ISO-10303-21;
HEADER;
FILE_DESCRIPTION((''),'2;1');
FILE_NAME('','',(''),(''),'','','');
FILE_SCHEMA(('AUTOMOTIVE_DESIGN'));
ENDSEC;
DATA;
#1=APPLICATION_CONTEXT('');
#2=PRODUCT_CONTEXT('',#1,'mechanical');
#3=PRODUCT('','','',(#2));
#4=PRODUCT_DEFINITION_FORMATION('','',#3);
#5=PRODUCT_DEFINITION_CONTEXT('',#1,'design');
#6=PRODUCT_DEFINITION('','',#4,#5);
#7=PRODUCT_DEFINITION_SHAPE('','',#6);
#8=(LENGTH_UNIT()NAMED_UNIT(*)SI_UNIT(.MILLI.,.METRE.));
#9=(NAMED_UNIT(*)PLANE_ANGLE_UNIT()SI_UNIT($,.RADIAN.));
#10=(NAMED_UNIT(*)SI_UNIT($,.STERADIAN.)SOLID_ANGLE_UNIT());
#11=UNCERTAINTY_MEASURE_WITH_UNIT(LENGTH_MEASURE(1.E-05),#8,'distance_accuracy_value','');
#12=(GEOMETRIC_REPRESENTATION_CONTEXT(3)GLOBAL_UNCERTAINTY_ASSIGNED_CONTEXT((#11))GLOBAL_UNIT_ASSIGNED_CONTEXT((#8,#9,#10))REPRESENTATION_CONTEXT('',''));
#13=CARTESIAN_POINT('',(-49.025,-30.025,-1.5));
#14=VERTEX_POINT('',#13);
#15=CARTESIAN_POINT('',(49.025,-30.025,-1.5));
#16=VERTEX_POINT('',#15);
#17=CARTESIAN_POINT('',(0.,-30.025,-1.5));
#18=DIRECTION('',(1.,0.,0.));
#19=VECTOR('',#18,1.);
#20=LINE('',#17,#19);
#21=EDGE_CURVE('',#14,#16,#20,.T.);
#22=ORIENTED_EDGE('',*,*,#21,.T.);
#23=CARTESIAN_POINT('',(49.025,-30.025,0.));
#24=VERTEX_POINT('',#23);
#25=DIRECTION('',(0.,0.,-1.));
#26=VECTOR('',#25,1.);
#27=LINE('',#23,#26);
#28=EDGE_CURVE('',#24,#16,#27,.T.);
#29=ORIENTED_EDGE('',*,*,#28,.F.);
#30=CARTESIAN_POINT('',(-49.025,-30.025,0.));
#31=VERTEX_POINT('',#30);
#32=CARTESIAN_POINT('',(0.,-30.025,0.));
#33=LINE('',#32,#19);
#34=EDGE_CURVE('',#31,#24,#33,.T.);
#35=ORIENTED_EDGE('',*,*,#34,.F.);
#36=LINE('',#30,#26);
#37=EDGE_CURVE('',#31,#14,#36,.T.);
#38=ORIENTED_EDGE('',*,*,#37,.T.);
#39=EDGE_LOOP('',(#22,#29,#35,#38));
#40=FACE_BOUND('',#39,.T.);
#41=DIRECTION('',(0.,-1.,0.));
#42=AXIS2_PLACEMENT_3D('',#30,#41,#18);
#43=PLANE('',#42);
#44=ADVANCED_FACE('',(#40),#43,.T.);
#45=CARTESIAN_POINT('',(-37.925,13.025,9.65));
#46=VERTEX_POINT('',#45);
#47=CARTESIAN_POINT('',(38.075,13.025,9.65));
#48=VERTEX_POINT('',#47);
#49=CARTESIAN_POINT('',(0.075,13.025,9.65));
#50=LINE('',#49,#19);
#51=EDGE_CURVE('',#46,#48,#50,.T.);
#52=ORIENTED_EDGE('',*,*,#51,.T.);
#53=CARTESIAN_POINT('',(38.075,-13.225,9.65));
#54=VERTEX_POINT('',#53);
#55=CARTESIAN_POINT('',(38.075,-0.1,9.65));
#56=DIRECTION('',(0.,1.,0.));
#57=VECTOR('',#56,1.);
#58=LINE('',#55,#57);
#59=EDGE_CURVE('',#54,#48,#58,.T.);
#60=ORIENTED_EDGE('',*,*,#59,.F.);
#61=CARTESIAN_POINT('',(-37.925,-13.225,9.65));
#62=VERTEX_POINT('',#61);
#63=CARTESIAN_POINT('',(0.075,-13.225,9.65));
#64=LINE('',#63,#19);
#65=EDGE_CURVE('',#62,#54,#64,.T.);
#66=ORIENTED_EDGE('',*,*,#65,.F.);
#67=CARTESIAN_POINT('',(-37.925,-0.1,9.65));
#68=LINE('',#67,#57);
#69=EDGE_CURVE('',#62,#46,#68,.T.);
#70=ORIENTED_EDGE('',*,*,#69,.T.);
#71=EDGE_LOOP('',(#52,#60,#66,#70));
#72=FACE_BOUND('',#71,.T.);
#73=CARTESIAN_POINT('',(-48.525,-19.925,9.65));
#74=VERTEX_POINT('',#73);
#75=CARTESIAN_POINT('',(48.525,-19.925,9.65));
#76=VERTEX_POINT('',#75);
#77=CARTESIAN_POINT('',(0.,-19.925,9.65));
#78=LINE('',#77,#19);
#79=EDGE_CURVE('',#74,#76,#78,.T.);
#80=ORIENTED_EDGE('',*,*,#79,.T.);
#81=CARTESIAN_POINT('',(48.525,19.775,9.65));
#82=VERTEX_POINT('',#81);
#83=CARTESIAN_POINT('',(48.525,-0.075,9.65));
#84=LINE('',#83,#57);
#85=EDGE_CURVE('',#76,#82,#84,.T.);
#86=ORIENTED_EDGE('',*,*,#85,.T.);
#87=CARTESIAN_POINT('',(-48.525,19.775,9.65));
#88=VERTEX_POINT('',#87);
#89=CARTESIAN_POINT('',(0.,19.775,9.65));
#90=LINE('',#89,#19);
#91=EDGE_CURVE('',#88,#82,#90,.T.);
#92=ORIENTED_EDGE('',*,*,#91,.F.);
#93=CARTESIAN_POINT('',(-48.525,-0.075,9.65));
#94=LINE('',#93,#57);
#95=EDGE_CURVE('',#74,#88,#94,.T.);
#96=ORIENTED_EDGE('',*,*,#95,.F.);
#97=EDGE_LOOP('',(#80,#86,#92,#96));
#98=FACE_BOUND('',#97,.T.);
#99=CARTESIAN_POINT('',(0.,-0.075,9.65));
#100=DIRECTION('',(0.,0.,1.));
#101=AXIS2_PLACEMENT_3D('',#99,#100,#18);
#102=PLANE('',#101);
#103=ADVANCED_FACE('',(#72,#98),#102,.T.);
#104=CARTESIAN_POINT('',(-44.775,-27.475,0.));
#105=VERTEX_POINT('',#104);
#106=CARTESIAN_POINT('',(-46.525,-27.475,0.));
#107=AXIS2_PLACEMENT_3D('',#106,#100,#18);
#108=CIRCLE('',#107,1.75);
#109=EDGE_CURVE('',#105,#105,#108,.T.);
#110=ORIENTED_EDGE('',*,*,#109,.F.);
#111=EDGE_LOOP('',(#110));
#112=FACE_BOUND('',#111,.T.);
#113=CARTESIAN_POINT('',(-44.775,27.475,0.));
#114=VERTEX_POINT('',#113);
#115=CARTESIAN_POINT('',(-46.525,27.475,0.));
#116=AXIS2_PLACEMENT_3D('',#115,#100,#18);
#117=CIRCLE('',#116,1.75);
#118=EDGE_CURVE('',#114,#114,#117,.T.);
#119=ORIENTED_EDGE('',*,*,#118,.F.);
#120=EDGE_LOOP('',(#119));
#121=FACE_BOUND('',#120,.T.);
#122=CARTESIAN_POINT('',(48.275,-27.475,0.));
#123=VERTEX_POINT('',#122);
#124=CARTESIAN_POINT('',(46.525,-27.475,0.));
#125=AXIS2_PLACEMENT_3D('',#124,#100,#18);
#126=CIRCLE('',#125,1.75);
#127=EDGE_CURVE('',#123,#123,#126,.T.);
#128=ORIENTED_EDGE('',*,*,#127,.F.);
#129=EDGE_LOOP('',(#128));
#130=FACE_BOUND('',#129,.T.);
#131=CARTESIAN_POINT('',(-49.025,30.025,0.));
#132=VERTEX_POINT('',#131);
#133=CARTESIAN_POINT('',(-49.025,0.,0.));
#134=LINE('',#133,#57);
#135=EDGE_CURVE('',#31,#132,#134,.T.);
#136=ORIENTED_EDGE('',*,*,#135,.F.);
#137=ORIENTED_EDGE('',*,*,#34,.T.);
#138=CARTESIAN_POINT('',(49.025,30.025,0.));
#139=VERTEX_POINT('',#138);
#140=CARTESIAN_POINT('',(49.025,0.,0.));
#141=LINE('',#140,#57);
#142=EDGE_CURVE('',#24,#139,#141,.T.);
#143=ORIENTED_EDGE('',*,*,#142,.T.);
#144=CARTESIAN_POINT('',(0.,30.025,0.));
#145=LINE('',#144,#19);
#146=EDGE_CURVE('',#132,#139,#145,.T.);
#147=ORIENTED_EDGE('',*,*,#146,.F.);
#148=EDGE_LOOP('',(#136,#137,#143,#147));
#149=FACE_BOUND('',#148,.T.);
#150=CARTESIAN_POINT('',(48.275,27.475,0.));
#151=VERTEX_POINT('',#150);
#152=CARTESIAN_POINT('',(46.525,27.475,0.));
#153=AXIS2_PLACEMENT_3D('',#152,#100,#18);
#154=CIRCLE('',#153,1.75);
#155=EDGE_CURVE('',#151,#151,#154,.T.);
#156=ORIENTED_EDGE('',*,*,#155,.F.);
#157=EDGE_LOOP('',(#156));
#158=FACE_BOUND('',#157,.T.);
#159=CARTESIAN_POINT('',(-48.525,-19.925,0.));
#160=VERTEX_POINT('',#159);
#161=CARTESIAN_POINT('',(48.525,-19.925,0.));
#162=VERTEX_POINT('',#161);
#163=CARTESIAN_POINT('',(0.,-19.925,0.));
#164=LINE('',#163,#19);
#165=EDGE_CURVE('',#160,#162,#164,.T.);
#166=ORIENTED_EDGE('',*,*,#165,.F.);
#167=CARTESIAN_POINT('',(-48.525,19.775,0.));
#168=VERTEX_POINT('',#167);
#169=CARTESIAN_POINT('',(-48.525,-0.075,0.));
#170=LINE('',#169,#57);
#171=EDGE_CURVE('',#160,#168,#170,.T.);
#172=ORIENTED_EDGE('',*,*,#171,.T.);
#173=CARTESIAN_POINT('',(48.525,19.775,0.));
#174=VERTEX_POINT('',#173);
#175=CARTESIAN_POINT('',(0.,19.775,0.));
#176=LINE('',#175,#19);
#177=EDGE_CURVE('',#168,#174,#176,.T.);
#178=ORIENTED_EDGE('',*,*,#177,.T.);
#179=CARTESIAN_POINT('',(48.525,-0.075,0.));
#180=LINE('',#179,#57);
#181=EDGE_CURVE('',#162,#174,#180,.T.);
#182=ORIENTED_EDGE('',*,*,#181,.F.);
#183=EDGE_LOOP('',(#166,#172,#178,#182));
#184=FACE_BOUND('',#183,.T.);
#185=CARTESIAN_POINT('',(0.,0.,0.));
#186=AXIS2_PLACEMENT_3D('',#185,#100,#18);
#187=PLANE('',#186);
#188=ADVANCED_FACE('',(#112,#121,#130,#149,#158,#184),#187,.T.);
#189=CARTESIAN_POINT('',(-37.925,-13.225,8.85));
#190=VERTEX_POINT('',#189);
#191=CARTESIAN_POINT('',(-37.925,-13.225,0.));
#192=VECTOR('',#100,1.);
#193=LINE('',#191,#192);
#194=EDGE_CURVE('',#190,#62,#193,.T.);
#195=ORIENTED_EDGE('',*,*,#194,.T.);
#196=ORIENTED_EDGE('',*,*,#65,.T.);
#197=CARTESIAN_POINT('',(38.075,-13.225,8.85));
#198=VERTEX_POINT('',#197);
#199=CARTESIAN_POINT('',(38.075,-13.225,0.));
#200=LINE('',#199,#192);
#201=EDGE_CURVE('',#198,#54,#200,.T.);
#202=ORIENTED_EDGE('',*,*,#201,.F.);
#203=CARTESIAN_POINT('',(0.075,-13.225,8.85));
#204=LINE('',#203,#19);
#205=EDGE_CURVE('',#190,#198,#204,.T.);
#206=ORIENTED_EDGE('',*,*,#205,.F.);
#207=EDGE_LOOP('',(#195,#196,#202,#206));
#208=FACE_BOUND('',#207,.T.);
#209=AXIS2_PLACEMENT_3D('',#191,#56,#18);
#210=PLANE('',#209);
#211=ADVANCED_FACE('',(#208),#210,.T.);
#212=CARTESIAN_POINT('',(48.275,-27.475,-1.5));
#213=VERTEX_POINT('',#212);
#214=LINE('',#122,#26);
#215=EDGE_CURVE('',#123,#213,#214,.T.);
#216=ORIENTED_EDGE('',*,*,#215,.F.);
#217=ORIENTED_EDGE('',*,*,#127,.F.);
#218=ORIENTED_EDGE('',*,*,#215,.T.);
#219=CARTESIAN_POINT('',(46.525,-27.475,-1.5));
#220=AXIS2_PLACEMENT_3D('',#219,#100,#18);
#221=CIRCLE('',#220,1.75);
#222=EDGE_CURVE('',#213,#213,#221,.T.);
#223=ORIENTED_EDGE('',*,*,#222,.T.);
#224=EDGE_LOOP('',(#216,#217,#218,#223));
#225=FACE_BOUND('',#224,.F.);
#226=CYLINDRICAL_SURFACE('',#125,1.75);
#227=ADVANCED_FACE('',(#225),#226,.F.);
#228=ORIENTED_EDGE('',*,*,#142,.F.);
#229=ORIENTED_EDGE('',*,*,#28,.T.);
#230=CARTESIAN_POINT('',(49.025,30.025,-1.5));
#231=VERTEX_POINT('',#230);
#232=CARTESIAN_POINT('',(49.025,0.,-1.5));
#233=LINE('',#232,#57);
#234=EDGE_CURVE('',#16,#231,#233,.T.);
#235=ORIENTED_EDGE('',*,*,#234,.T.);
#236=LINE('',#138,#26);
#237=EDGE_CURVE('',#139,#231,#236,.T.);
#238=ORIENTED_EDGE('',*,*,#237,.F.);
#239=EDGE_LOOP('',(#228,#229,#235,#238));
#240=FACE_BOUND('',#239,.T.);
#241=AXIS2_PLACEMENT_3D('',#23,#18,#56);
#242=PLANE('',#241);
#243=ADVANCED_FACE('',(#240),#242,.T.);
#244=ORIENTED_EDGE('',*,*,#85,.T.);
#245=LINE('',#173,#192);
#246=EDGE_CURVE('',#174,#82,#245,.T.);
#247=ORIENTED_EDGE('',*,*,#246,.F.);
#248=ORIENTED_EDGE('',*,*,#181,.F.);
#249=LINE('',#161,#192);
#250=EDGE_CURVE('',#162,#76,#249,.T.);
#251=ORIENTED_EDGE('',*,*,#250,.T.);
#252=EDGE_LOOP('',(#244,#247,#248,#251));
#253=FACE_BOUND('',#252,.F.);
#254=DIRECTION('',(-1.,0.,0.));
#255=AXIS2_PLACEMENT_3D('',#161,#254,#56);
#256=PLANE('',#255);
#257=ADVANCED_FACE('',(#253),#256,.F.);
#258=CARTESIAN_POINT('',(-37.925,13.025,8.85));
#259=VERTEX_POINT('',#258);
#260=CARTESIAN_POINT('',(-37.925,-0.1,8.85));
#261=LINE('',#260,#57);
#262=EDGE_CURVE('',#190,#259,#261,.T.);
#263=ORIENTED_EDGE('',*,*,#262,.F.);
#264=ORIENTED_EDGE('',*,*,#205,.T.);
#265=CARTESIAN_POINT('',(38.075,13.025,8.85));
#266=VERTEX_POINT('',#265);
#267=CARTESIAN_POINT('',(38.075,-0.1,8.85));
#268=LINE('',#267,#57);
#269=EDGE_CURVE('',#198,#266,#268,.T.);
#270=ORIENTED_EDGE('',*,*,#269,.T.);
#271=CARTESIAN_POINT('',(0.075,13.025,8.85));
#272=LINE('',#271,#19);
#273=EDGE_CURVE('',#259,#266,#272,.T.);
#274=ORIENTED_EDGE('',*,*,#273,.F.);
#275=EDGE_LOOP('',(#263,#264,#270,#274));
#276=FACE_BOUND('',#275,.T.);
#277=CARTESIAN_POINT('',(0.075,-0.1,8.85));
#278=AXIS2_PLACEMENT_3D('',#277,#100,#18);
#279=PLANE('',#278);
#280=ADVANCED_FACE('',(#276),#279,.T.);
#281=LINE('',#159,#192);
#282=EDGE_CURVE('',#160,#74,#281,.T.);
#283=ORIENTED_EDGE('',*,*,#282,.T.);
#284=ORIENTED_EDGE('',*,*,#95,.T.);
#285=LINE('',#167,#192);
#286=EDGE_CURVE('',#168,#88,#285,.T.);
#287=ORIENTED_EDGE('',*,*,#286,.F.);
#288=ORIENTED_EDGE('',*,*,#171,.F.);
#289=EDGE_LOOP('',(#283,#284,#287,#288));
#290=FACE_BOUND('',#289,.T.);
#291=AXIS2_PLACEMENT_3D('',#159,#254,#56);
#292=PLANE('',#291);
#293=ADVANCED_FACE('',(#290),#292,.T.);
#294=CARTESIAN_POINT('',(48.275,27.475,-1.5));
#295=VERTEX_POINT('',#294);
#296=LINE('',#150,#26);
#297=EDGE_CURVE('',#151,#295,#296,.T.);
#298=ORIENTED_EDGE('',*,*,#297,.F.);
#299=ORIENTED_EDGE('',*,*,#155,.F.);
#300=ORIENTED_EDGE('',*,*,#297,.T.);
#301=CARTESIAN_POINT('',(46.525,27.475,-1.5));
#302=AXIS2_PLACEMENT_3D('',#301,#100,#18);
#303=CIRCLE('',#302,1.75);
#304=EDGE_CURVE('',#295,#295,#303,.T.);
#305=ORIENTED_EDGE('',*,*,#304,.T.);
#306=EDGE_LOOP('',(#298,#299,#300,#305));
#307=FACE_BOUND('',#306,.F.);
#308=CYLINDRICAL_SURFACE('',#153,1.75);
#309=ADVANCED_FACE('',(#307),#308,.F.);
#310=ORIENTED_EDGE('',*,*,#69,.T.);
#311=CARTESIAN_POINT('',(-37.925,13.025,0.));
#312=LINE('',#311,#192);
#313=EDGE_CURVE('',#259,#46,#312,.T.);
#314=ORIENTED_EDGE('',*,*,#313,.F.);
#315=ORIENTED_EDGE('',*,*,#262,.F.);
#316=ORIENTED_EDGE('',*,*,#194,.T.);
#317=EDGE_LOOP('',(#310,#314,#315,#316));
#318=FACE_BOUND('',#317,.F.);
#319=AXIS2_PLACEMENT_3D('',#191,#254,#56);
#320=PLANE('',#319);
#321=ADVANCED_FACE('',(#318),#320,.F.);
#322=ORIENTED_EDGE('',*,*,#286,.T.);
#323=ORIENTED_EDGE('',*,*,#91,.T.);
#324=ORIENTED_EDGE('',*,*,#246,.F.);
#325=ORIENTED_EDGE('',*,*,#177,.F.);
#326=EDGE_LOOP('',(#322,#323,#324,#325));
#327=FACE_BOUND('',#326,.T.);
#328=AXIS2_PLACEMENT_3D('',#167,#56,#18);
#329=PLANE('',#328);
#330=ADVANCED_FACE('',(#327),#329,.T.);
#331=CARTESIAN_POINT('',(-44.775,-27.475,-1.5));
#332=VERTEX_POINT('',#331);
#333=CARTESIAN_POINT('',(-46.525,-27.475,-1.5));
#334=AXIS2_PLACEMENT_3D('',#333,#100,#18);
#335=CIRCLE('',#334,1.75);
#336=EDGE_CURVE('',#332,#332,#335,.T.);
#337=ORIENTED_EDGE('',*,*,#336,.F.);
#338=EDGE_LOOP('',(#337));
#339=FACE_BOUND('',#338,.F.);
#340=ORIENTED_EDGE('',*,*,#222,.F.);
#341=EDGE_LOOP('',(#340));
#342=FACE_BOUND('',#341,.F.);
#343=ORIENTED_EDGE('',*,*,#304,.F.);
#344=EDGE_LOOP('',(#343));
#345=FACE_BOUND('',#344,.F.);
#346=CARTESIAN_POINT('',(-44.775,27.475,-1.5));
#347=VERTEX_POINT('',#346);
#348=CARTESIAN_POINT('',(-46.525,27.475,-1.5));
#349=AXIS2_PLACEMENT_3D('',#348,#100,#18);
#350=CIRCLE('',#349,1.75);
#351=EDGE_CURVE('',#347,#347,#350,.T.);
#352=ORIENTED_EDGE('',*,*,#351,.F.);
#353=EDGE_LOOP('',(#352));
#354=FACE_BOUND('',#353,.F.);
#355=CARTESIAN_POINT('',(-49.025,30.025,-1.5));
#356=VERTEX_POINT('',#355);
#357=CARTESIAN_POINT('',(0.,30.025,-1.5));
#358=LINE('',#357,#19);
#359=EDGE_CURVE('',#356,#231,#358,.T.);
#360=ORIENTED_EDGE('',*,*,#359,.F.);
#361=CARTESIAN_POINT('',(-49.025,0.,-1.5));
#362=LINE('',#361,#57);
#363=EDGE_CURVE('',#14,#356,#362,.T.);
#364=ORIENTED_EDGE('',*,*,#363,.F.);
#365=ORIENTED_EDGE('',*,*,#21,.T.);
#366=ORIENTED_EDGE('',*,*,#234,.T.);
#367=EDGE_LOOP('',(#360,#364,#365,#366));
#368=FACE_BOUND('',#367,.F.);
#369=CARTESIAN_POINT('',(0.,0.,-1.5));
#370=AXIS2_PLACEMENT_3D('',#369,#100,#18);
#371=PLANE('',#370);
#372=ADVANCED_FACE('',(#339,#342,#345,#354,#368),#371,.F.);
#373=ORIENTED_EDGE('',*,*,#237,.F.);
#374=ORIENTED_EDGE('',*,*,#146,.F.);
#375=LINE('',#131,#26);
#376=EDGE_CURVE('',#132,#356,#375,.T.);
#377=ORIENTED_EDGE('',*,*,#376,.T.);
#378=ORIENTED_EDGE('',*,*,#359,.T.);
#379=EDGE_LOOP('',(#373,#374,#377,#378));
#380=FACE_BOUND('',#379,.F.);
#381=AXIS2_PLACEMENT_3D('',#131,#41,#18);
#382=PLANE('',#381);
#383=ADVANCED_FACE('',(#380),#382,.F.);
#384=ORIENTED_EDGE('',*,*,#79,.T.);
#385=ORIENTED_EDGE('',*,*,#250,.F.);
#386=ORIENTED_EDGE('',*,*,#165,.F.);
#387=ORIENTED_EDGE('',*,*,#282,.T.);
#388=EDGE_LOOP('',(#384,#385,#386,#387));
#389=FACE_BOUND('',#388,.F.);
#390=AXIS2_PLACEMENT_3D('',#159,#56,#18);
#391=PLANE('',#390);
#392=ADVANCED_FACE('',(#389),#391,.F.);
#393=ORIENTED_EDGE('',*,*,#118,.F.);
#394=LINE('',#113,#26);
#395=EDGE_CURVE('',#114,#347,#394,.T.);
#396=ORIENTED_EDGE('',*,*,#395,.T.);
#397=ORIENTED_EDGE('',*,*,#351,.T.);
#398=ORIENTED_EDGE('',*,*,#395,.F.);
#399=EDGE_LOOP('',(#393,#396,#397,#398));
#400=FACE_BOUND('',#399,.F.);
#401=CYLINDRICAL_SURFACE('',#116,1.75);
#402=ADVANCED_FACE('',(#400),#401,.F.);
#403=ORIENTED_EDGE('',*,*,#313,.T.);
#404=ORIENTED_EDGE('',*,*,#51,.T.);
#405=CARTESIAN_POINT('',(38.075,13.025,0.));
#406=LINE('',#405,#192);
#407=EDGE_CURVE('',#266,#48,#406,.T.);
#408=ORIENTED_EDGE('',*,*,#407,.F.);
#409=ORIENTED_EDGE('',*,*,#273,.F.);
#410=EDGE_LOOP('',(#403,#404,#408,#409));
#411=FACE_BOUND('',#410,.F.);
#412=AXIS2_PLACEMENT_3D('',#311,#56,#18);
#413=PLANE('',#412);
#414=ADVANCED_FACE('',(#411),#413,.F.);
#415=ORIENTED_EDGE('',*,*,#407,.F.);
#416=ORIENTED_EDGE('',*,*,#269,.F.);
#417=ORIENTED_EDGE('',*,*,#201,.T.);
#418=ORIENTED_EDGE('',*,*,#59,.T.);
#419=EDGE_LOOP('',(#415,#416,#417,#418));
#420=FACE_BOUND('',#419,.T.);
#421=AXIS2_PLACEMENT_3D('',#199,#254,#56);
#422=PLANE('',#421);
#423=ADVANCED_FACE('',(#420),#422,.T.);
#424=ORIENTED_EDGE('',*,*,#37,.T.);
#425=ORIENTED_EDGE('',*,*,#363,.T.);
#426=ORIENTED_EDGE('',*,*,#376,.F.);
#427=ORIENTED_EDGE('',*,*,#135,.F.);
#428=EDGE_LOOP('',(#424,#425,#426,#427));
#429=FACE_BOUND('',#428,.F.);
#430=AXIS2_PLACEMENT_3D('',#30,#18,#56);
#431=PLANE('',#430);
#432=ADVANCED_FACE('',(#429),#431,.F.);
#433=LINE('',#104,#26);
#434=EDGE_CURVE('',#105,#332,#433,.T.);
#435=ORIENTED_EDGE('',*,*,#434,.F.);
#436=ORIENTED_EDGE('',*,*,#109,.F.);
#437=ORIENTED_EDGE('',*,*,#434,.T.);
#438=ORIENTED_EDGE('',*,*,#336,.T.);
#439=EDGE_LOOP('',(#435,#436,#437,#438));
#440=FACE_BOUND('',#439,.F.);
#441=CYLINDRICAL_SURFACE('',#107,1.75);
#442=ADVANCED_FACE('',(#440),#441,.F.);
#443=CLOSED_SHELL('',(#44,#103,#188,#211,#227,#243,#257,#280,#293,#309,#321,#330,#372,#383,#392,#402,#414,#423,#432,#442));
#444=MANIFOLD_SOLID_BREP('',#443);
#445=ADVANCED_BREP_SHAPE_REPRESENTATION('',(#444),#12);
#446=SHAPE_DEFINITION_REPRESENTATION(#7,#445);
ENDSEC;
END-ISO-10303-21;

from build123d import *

# Parameters (mm, degrees)
F0_W     = 98.05
F0_H     = 60.05
F0_R     = 1.75
F0_W_2   = 97.05
F0_H_2   = 39.7
F0_W_3   = 90
F0_H_3   = 34
F0_W_4   = 76
F0_H_4   = 26.25
F1_DEPTH = 1.5
F2_DEPTH = 9.65
F3_DEPTH = 8.85


with BuildPart() as f1:
    # F0 (on Top) → F1 (new body)
    with BuildSketch(Plane.XY):
        Rectangle(F0_W, F0_H)
        with Locations((-46.525, -27.475)):
            Circle(F0_R, mode=Mode.SUBTRACT)
        with Locations((46.525, -27.475)):
            Circle(F0_R, mode=Mode.SUBTRACT)
        with Locations((0, -0.075)):
            Rectangle(F0_W_2, F0_H_2, mode=Mode.SUBTRACT)
        with Locations((-46.525, 27.475)):
            Circle(F0_R, mode=Mode.SUBTRACT)
        with Locations((46.525, 27.475)):
            Circle(F0_R, mode=Mode.SUBTRACT)
        with Locations((0, -0.075)):
            Rectangle(F0_W_2, F0_H_2)
        Rectangle(F0_W_3, F0_H_3, mode=Mode.SUBTRACT)
        Rectangle(F0_W_3, F0_H_3)
        with Locations((0.075, -0.1)):
            Rectangle(F0_W_4, F0_H_4, mode=Mode.SUBTRACT)
        with Locations((0.075, -0.1)):
            Rectangle(F0_W_4, F0_H_4)
    extrude(amount=-F1_DEPTH)

    # F0 (on Top) → F2 (join)
    with BuildSketch(Plane.XY):
        with Locations((0, -0.075)):
            Rectangle(F0_W_2, F0_H_2)
        Rectangle(F0_W_3, F0_H_3, mode=Mode.SUBTRACT)
        Rectangle(F0_W_3, F0_H_3)
        with Locations((0.075, -0.1)):
            Rectangle(F0_W_4, F0_H_4, mode=Mode.SUBTRACT)
    extrude(amount=F2_DEPTH)

    # F0 (on Top) → F3 (join)
    with BuildSketch(Plane.XY):
        with Locations((0.075, -0.1)):
            Rectangle(F0_W_4, F0_H_4)
    extrude(amount=F3_DEPTH)


solid = f1.part
